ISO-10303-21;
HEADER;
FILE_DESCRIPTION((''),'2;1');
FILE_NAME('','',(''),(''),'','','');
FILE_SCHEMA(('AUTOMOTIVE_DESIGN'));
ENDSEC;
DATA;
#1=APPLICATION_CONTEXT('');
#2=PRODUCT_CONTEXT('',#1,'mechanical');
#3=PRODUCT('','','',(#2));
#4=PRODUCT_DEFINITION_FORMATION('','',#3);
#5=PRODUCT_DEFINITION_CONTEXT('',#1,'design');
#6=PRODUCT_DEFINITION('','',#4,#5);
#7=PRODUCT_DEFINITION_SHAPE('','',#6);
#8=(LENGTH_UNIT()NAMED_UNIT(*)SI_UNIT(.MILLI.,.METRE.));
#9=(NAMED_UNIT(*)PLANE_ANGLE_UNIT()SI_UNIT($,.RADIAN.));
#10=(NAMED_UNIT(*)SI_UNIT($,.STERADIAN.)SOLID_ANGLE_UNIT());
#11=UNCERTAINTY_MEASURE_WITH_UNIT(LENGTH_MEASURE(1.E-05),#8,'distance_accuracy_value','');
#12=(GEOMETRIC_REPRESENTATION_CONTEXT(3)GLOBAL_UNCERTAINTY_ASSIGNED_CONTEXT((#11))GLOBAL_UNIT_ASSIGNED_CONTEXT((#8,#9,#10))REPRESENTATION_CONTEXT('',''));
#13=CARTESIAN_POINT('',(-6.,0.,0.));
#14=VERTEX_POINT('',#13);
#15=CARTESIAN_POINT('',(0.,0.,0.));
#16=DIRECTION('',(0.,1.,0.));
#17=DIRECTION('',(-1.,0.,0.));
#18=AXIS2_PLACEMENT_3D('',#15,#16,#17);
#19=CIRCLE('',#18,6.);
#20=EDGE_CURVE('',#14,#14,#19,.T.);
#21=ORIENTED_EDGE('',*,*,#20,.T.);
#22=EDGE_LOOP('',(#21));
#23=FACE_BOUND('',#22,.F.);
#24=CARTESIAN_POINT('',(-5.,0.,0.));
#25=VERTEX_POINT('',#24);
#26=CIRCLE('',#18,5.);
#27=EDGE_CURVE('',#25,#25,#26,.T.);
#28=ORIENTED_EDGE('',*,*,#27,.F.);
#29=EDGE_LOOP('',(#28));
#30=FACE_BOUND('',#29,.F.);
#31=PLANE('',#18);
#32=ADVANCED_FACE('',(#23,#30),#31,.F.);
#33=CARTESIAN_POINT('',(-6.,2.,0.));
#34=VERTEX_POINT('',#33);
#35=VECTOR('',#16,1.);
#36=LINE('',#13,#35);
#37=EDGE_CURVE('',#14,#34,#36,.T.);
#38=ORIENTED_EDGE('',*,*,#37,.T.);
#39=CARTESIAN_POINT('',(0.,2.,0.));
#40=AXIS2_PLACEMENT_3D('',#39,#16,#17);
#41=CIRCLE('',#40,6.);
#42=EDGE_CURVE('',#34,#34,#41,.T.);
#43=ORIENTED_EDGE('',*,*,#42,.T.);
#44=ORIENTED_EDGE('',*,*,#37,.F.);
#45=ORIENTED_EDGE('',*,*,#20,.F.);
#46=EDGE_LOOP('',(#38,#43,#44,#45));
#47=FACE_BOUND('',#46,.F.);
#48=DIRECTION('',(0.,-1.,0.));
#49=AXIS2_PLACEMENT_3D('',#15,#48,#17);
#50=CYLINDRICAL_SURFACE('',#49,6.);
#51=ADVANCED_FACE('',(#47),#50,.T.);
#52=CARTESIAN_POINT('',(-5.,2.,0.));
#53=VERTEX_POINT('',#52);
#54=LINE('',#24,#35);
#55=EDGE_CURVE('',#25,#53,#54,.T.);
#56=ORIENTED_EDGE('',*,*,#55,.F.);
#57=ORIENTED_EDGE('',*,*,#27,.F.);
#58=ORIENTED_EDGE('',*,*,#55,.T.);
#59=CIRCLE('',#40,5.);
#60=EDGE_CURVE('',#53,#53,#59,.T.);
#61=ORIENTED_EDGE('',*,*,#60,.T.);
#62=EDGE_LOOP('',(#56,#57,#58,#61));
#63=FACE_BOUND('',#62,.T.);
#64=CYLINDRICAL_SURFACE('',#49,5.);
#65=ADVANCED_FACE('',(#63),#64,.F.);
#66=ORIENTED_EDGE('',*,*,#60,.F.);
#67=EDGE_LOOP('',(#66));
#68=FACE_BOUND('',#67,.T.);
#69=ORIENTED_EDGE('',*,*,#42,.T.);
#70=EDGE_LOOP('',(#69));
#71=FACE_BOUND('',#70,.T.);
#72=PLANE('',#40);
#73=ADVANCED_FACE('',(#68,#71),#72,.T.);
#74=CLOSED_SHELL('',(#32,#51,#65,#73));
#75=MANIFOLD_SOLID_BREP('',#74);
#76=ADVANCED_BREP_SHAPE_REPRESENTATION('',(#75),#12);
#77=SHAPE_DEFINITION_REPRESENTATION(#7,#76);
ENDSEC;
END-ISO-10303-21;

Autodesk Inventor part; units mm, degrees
ref_plane "YZ Plane" through (0, 0, 0) normal (1, 0, 0) x (0, 1, 0)
ref_plane "XZ Plane" through (0, 0, 0) normal (0, 1, 0) x (-1, 0, 0)
ref_plane "XY Plane" through (0, 0, 0) normal (0, 0, 1) x (1, 0, 0)
sketch "Skizze1" plane through (0, 0, 0) normal (0, 1, 0) x (-1, 0, 0)
  circle A0 centre (0, 0) radius 5
  circle A1 centre (0, 0) radius 6
  dimension "d0" = 10
  dimension "d1" = 12
extrude "Extrusion1" add sketch "Skizze1" along normal blind 2
properties part number "Wechsel_Abstandsring"
